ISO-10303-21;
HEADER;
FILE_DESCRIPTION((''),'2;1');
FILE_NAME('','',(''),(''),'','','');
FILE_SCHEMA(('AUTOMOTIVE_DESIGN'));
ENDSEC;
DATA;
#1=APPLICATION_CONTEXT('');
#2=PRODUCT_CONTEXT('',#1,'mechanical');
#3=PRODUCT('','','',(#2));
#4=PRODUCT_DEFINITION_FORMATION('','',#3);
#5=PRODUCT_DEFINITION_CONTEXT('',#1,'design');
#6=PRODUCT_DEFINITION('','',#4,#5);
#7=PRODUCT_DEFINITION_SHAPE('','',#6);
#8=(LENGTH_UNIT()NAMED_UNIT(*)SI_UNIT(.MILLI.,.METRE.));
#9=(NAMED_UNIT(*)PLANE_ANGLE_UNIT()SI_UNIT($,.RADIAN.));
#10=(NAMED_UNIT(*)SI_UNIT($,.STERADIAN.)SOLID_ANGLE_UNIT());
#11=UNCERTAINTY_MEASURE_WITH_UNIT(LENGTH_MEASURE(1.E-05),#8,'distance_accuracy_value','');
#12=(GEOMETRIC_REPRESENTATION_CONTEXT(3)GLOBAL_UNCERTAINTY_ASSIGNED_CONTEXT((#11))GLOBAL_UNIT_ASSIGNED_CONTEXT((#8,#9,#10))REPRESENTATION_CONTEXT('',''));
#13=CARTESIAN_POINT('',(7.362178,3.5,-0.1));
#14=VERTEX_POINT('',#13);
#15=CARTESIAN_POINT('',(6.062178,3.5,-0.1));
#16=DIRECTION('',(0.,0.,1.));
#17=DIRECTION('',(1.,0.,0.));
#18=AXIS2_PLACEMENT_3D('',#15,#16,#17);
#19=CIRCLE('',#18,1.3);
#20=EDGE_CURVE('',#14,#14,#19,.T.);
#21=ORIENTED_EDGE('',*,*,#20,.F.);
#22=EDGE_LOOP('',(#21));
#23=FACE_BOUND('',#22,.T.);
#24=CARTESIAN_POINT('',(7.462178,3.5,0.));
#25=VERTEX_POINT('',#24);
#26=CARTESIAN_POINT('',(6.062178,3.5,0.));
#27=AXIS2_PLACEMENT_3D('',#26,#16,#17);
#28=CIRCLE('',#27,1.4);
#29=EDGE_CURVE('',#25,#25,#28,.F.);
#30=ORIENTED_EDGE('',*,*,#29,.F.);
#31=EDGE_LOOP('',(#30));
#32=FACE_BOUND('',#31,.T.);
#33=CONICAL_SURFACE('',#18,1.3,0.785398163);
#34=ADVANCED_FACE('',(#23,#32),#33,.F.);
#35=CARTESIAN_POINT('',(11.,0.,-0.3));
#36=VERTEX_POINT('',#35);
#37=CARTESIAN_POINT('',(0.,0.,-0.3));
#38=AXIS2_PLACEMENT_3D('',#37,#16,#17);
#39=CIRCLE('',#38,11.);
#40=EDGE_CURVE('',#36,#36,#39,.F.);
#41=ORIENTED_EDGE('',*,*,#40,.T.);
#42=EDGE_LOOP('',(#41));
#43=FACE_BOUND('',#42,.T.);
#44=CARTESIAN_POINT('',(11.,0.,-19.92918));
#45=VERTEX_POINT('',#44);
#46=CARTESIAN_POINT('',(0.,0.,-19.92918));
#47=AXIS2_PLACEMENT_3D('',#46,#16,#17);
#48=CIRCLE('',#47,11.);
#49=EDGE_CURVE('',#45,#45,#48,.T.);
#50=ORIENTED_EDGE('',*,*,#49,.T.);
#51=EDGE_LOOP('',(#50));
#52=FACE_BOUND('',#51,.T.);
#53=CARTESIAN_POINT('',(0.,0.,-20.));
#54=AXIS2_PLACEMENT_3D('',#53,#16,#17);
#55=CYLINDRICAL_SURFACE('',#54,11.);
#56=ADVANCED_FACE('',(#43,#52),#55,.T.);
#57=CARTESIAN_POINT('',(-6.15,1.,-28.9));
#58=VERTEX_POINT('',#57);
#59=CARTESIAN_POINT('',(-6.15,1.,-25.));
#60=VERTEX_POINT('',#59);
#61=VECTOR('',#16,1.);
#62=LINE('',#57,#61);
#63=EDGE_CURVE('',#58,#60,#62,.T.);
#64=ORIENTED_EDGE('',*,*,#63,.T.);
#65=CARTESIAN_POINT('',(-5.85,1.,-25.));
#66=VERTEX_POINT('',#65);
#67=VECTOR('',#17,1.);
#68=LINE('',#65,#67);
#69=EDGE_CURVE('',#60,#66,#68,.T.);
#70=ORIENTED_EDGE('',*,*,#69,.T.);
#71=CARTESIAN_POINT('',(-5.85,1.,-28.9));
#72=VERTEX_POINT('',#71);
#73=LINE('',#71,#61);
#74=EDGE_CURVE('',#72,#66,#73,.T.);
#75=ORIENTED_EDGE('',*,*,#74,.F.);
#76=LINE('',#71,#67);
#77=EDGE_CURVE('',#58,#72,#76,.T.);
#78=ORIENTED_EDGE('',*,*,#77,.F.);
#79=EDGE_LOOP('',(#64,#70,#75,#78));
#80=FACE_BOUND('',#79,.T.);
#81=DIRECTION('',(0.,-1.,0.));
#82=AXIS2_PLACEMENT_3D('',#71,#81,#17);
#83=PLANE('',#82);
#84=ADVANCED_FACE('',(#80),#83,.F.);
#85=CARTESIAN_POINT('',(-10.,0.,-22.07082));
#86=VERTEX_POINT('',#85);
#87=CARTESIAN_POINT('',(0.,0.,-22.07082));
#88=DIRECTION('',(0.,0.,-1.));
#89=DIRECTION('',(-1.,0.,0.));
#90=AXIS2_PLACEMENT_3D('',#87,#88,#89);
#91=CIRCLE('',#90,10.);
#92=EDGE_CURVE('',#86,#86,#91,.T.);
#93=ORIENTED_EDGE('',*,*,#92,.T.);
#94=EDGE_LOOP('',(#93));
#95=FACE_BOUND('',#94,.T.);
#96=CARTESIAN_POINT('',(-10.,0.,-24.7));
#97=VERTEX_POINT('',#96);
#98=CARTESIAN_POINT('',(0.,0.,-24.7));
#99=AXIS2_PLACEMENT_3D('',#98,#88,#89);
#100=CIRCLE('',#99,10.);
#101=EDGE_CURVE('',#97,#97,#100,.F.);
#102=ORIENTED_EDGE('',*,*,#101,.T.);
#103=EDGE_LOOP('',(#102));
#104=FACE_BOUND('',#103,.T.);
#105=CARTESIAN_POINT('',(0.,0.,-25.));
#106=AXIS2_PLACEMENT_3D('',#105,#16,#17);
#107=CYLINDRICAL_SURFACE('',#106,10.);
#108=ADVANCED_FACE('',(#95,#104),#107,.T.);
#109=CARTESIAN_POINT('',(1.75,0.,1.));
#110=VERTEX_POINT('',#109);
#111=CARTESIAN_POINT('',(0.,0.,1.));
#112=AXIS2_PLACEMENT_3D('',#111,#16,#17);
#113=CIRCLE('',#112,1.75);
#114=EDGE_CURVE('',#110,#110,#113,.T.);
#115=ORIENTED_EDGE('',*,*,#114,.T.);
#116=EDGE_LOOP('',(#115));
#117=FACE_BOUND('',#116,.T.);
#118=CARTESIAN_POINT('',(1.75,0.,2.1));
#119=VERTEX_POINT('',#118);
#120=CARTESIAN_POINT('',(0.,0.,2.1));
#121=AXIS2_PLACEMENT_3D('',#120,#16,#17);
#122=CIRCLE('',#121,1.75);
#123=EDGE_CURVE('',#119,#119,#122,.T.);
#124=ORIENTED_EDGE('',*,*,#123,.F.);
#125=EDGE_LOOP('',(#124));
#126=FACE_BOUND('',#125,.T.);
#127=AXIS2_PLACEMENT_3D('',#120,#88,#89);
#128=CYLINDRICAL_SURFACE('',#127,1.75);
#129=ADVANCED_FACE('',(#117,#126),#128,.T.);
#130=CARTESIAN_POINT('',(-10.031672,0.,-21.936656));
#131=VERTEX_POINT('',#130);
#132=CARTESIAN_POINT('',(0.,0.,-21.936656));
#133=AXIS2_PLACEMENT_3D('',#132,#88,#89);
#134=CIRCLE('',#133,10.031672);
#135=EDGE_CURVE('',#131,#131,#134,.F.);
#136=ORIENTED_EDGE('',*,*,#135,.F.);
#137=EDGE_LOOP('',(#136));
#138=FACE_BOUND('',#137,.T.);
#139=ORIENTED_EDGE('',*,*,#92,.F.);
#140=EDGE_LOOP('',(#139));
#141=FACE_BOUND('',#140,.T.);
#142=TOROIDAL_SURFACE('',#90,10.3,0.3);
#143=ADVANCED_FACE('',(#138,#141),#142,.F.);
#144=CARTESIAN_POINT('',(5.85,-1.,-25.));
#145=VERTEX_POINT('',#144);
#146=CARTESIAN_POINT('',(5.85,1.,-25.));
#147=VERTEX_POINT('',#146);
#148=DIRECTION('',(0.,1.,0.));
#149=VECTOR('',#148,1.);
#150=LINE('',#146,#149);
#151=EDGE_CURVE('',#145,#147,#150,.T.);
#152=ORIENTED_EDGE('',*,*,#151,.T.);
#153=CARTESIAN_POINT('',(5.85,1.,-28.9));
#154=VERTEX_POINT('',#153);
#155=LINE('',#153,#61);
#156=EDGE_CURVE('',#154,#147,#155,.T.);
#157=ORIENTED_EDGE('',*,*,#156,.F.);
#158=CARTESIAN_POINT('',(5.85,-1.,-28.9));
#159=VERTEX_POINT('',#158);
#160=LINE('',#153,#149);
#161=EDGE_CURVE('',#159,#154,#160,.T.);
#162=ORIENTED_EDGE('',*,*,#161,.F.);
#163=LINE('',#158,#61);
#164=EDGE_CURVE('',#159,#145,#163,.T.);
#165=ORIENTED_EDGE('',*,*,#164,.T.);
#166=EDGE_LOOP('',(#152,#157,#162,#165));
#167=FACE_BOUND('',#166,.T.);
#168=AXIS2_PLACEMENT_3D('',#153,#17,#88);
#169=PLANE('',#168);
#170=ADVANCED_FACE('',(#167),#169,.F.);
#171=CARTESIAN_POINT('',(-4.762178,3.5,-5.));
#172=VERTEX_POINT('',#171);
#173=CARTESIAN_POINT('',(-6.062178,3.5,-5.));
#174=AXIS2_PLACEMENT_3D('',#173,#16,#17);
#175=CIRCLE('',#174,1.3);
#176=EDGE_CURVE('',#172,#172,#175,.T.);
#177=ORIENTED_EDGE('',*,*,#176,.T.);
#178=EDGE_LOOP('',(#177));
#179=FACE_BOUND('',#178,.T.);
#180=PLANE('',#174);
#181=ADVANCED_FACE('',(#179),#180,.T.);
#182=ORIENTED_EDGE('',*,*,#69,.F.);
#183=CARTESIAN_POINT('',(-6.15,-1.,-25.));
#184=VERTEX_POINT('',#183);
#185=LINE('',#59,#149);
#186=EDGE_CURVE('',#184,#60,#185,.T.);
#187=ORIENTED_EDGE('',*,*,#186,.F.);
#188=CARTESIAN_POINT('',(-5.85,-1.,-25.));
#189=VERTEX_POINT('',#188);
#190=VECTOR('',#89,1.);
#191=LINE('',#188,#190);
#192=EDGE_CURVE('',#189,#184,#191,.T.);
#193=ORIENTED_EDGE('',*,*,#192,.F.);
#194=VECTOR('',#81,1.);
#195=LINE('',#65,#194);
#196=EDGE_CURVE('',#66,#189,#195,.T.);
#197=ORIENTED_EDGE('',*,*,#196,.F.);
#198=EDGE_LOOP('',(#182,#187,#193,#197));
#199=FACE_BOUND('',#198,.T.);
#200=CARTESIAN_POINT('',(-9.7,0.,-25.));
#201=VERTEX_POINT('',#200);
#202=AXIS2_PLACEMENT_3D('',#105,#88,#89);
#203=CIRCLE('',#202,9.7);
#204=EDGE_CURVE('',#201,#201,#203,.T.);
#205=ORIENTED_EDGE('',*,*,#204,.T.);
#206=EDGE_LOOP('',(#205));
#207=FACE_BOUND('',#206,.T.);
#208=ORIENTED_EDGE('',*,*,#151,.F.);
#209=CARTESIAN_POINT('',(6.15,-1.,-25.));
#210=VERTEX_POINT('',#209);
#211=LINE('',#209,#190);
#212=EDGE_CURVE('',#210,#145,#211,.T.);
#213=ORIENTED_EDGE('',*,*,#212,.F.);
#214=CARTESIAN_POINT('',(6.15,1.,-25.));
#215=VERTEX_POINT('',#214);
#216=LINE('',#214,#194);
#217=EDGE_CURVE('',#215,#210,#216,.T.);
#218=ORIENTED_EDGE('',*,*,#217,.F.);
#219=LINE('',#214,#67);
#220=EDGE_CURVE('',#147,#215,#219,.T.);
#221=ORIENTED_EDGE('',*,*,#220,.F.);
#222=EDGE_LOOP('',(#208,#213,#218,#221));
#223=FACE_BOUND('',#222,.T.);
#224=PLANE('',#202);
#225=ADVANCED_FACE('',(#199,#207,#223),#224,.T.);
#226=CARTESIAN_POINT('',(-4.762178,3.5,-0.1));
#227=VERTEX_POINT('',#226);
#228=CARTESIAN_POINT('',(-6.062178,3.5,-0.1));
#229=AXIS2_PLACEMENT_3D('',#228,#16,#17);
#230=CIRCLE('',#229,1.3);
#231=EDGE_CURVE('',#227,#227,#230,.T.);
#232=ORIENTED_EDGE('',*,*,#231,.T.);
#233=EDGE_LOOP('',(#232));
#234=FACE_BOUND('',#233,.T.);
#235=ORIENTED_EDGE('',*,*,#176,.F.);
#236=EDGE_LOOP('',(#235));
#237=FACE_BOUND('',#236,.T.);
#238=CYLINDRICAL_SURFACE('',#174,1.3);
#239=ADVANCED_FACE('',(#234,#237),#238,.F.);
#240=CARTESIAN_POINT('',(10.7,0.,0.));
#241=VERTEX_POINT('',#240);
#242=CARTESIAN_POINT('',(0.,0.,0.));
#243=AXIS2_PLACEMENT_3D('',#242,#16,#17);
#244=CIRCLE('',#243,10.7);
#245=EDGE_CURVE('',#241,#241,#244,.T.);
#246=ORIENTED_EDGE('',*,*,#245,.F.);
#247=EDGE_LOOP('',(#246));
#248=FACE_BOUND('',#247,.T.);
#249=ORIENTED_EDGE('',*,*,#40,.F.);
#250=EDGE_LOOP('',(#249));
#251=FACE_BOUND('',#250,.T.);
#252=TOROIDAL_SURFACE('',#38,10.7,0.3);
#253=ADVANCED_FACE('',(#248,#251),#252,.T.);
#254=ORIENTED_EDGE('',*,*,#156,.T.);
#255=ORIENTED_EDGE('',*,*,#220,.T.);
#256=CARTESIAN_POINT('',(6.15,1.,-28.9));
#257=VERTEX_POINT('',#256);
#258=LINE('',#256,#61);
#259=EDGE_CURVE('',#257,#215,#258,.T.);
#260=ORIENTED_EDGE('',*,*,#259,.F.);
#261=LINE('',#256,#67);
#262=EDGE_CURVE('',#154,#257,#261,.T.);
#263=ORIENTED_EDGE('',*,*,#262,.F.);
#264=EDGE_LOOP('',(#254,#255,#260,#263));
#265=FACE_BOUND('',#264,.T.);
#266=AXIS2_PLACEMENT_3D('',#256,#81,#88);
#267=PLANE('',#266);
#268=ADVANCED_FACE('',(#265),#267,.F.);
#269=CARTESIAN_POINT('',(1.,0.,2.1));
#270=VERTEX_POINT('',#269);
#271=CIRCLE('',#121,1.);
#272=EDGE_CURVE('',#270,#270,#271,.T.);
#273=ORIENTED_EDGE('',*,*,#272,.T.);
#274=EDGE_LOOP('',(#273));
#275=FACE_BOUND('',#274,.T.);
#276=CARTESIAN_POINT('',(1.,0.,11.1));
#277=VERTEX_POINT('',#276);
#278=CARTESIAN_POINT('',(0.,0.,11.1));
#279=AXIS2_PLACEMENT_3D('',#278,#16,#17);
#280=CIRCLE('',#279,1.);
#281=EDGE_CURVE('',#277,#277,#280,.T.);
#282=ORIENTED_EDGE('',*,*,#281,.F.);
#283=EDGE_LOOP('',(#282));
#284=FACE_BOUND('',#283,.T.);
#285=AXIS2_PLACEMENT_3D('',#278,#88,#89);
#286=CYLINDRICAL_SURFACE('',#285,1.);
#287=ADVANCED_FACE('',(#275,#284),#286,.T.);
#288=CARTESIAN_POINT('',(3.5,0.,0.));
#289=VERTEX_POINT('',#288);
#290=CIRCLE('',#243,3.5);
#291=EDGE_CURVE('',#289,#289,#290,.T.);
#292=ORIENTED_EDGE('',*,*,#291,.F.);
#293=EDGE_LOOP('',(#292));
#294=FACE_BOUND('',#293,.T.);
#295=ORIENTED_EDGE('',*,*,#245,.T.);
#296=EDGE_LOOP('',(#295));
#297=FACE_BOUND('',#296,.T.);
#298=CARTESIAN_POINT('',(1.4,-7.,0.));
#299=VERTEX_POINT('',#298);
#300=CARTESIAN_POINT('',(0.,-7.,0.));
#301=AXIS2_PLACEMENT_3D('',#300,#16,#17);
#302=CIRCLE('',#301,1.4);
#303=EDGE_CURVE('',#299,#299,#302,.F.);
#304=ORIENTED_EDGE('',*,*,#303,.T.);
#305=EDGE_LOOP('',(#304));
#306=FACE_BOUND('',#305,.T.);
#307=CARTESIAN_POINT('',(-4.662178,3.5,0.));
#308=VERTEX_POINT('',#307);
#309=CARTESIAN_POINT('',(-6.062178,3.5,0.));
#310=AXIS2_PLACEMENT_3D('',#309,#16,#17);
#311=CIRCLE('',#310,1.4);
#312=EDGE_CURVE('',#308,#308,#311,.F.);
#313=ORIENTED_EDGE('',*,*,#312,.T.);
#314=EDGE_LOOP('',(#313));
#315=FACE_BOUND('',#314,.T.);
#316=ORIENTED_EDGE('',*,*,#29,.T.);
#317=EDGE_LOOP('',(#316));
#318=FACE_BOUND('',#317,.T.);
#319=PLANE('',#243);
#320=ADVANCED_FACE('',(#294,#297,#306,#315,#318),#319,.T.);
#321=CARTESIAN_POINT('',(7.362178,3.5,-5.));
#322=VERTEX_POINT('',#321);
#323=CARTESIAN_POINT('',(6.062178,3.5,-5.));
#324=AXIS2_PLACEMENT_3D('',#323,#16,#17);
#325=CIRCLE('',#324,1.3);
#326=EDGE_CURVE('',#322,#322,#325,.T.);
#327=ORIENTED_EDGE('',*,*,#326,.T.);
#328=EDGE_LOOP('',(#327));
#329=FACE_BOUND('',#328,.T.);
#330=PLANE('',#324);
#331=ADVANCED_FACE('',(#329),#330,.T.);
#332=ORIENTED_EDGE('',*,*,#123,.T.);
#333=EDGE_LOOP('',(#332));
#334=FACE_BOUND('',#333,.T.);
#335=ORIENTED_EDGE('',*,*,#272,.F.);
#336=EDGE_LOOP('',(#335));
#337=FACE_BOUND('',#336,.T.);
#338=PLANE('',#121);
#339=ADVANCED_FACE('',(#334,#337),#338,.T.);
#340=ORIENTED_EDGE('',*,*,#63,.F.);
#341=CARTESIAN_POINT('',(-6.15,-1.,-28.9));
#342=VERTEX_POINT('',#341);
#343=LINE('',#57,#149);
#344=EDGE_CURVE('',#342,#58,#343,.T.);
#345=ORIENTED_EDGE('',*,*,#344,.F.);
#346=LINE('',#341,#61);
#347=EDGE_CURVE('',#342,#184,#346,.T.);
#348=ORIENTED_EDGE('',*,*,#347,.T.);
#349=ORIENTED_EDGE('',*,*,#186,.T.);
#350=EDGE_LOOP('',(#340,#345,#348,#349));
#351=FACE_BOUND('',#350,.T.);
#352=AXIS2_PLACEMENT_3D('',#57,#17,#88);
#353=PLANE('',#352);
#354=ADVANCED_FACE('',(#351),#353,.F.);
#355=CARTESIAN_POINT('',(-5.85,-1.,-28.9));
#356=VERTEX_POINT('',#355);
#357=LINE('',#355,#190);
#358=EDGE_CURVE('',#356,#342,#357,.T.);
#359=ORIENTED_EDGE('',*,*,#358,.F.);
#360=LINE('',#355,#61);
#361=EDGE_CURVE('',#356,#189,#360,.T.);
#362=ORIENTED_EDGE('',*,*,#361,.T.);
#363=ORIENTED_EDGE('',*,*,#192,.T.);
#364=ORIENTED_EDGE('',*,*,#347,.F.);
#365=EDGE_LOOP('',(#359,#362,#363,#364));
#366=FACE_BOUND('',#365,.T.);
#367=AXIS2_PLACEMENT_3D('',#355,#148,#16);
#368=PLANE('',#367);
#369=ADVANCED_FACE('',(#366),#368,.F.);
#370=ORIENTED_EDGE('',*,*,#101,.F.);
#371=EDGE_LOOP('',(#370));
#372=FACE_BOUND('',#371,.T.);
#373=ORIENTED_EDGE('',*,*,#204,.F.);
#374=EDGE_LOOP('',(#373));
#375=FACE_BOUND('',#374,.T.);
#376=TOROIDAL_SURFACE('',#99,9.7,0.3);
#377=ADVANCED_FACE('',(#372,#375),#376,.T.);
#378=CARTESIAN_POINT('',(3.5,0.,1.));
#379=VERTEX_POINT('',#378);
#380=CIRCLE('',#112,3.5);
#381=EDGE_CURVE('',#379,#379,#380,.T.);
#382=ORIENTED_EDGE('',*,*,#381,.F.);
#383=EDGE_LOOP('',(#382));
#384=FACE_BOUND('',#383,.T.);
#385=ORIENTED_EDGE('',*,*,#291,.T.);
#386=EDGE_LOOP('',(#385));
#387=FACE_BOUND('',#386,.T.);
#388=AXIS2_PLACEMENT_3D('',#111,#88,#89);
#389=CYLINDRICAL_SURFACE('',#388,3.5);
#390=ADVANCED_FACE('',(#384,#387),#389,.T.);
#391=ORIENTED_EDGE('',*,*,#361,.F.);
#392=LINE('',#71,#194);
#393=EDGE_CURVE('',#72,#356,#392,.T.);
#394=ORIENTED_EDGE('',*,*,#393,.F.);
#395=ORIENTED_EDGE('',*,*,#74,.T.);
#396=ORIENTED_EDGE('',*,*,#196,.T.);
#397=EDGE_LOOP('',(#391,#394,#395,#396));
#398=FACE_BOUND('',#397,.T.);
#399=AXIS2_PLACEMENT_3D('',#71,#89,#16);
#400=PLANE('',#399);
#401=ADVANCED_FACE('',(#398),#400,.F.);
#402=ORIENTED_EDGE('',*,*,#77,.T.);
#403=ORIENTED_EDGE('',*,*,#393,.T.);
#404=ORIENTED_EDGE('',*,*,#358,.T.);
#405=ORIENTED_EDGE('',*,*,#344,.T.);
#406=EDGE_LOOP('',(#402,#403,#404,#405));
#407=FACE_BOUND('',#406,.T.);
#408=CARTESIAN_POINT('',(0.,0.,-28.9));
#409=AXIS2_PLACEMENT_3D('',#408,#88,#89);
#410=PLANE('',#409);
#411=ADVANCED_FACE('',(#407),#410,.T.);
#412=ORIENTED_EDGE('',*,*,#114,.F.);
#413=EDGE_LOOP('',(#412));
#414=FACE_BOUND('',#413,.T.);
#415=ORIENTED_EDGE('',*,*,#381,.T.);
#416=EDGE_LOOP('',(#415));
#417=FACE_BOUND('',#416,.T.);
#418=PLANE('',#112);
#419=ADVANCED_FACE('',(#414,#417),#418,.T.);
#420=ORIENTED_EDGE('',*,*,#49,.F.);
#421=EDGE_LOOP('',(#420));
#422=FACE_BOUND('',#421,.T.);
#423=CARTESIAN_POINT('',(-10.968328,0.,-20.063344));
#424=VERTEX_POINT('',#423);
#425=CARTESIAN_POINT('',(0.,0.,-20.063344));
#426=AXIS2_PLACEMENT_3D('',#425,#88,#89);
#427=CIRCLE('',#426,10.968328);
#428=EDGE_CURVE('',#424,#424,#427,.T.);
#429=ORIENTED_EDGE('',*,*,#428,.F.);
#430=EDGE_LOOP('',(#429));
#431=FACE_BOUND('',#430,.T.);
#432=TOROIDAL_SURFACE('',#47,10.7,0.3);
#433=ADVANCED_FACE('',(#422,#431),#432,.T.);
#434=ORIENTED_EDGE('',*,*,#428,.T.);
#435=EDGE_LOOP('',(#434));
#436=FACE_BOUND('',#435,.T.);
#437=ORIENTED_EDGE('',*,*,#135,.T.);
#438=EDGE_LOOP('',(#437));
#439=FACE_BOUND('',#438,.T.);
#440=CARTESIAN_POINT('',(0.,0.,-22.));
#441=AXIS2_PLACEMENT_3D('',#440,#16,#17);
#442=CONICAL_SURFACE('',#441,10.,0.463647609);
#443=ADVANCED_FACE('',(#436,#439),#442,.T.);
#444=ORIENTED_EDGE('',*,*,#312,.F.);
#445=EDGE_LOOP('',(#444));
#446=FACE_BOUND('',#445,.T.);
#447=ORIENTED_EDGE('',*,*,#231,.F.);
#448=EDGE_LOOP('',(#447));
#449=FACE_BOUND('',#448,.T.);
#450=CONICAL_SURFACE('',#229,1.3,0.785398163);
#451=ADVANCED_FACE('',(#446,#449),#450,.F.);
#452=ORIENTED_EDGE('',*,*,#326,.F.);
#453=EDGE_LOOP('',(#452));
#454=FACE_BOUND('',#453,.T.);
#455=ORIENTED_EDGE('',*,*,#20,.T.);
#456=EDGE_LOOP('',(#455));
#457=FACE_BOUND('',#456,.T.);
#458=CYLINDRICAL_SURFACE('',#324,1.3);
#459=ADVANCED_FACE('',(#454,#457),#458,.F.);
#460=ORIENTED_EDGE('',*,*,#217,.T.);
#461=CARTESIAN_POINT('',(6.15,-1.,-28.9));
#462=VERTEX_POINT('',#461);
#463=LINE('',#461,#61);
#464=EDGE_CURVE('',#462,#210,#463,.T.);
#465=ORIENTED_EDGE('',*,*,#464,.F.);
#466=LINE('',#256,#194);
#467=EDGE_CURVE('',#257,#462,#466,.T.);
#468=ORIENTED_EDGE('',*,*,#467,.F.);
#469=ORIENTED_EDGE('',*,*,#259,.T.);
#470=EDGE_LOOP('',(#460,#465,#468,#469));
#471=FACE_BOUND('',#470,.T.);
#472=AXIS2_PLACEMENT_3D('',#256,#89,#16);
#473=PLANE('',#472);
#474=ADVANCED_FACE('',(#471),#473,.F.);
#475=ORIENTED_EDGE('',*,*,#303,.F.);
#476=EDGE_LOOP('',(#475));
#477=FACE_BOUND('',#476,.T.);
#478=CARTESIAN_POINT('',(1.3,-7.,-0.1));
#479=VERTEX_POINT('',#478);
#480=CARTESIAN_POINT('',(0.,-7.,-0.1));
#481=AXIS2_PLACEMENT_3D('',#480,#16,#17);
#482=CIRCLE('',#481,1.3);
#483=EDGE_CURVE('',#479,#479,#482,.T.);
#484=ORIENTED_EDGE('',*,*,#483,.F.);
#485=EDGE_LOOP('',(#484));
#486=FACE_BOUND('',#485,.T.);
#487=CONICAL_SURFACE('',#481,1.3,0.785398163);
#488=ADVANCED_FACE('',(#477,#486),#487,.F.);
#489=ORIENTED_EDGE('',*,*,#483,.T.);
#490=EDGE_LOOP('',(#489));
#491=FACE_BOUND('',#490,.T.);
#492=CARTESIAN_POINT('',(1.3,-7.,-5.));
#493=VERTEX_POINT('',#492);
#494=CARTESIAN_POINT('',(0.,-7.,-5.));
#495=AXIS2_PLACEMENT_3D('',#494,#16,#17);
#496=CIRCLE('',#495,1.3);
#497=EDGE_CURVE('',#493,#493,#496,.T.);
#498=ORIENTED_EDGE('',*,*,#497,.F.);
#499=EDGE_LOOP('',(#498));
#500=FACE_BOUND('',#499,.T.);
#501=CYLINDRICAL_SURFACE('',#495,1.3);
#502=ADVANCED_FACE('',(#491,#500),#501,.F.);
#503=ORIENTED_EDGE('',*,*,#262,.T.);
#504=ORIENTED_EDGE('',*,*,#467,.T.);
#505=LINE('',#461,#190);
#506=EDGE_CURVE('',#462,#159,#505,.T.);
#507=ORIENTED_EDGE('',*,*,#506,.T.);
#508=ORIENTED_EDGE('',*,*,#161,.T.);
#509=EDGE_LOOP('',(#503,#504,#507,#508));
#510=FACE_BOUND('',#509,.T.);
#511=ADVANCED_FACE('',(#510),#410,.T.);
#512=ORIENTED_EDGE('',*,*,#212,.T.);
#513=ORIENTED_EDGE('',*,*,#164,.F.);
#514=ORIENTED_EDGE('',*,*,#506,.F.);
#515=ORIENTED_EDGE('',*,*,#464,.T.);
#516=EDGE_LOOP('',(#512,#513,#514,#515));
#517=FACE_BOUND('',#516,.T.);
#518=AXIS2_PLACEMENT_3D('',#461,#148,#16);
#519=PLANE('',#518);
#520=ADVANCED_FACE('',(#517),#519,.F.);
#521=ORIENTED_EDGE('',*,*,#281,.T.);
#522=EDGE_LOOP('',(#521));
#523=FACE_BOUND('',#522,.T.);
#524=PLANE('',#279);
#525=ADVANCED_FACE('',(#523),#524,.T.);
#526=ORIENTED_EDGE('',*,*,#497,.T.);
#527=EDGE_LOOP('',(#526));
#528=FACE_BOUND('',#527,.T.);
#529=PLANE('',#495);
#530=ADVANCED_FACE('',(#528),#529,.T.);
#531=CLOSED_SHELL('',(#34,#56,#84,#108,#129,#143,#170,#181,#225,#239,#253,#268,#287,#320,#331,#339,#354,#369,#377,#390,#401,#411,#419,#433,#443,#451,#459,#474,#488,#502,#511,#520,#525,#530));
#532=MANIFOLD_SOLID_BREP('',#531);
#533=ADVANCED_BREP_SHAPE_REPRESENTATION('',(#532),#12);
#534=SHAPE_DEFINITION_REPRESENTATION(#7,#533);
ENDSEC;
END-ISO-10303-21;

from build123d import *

# Parameters (mm, degrees)
SKETCH1_R           = 11
BOSS_EXTRUDE1_DEPTH = 20
SKETCH2_R           = 10
SKETCH3_R           = 10
BOSS_EXTRUDE2_DEPTH = 3
SKETCH4_R           = 1.3
CUT_EXTRUDE1_DEPTH  = 5
CHAMFER1_SIZE       = 0.1
SKETCH5_R           = 3.5
BOSS_EXTRUDE3_DEPTH = 1
SKETCH6_R           = 1.75
BOSS_EXTRUDE4_DEPTH = 1.1
SKETCH7_R           = 1
BOSS_EXTRUDE5_DEPTH = 9
SKETCH8_W           = 0.3
SKETCH8_H           = 2
BOSS_EXTRUDE6_DEPTH = 3.9
FILLET1_R           = 0.3


with BuildPart() as part:
    # Sketch1 → Boss-Extrude1 (new body)
    with BuildSketch(Plane.XY):
        Circle(SKETCH1_R)
    extrude(amount=-BOSS_EXTRUDE1_DEPTH)

    # Sketch2 → section 1 of loft1
    with BuildSketch(Plane(origin=(0, 0, -22), x_dir=(-1, 0, 0), z_dir=(0, 0, -1)), mode=Mode.PRIVATE) as loft1_s1:
        Circle(SKETCH2_R)
    # loft from a face of the part (loft1)
    loft([part.faces().sort_by_distance((0, 0, -20))[0], loft1_s1.sketch])

    # Sketch3 → Boss-Extrude2 (add)
    with BuildSketch(Plane(origin=(0, 0, -22), x_dir=(-1, 0, 0), z_dir=(0, 0, -1))):
        Circle(SKETCH3_R)
    extrude(amount=BOSS_EXTRUDE2_DEPTH)

    # Sketch4 → Cut-Extrude1 (cut)
    with BuildSketch(Plane.XY):
        with Locations((-6.062177826, 3.5)):
            Circle(SKETCH4_R)
        with Locations((6.062177826, 3.5)):
            Circle(SKETCH4_R)
        with Locations((0, -7)):
            Circle(SKETCH4_R)
    extrude(amount=-CUT_EXTRUDE1_DEPTH, mode=Mode.SUBTRACT)

    # Chamfer1
    chamfer1_edges = [part.edges().sort_by_distance(p)[0] for p in [
        (-7.362177826, 3.5, 0),
        (4.762177826, 3.5, 0),
        (-1.3, -7, 0),
    ]]
    chamfer(chamfer1_edges, length=CHAMFER1_SIZE)

    # Sketch5 → Boss-Extrude3 (add)
    with BuildSketch(Plane.XY):
        Circle(SKETCH5_R)
    extrude(amount=BOSS_EXTRUDE3_DEPTH)

    # Sketch6 → Boss-Extrude4 (add)
    with BuildSketch(Plane.XY.offset(1)):
        Circle(SKETCH6_R)
    extrude(amount=BOSS_EXTRUDE4_DEPTH)

    # Sketch7 → Boss-Extrude5 (add)
    with BuildSketch(Plane.XY.offset(2.1)):
        Circle(SKETCH7_R)
    extrude(amount=BOSS_EXTRUDE5_DEPTH)

    # Sketch8 → Boss-Extrude6 (add)
    with BuildSketch(Plane(origin=(0, 0, -25), x_dir=(-1, 0, 0), z_dir=(0, 0, -1))):
        with Locations((-6, 0)):
            Rectangle(SKETCH8_W, SKETCH8_H)
        with Locations((6, 0)):
            Rectangle(SKETCH8_W, SKETCH8_H)
    extrude(amount=BOSS_EXTRUDE6_DEPTH)

    # Fillet1
    fillet1_edges = [part.edges().sort_by_distance(p)[0] for p in [
        (10, 0, -25),
        (-11, 0, 0),
        (0, 10, -22),
        (-11, 0, -20),
    ]]
    fillet(fillet1_edges, radius=FILLET1_R)


solid = part.part
